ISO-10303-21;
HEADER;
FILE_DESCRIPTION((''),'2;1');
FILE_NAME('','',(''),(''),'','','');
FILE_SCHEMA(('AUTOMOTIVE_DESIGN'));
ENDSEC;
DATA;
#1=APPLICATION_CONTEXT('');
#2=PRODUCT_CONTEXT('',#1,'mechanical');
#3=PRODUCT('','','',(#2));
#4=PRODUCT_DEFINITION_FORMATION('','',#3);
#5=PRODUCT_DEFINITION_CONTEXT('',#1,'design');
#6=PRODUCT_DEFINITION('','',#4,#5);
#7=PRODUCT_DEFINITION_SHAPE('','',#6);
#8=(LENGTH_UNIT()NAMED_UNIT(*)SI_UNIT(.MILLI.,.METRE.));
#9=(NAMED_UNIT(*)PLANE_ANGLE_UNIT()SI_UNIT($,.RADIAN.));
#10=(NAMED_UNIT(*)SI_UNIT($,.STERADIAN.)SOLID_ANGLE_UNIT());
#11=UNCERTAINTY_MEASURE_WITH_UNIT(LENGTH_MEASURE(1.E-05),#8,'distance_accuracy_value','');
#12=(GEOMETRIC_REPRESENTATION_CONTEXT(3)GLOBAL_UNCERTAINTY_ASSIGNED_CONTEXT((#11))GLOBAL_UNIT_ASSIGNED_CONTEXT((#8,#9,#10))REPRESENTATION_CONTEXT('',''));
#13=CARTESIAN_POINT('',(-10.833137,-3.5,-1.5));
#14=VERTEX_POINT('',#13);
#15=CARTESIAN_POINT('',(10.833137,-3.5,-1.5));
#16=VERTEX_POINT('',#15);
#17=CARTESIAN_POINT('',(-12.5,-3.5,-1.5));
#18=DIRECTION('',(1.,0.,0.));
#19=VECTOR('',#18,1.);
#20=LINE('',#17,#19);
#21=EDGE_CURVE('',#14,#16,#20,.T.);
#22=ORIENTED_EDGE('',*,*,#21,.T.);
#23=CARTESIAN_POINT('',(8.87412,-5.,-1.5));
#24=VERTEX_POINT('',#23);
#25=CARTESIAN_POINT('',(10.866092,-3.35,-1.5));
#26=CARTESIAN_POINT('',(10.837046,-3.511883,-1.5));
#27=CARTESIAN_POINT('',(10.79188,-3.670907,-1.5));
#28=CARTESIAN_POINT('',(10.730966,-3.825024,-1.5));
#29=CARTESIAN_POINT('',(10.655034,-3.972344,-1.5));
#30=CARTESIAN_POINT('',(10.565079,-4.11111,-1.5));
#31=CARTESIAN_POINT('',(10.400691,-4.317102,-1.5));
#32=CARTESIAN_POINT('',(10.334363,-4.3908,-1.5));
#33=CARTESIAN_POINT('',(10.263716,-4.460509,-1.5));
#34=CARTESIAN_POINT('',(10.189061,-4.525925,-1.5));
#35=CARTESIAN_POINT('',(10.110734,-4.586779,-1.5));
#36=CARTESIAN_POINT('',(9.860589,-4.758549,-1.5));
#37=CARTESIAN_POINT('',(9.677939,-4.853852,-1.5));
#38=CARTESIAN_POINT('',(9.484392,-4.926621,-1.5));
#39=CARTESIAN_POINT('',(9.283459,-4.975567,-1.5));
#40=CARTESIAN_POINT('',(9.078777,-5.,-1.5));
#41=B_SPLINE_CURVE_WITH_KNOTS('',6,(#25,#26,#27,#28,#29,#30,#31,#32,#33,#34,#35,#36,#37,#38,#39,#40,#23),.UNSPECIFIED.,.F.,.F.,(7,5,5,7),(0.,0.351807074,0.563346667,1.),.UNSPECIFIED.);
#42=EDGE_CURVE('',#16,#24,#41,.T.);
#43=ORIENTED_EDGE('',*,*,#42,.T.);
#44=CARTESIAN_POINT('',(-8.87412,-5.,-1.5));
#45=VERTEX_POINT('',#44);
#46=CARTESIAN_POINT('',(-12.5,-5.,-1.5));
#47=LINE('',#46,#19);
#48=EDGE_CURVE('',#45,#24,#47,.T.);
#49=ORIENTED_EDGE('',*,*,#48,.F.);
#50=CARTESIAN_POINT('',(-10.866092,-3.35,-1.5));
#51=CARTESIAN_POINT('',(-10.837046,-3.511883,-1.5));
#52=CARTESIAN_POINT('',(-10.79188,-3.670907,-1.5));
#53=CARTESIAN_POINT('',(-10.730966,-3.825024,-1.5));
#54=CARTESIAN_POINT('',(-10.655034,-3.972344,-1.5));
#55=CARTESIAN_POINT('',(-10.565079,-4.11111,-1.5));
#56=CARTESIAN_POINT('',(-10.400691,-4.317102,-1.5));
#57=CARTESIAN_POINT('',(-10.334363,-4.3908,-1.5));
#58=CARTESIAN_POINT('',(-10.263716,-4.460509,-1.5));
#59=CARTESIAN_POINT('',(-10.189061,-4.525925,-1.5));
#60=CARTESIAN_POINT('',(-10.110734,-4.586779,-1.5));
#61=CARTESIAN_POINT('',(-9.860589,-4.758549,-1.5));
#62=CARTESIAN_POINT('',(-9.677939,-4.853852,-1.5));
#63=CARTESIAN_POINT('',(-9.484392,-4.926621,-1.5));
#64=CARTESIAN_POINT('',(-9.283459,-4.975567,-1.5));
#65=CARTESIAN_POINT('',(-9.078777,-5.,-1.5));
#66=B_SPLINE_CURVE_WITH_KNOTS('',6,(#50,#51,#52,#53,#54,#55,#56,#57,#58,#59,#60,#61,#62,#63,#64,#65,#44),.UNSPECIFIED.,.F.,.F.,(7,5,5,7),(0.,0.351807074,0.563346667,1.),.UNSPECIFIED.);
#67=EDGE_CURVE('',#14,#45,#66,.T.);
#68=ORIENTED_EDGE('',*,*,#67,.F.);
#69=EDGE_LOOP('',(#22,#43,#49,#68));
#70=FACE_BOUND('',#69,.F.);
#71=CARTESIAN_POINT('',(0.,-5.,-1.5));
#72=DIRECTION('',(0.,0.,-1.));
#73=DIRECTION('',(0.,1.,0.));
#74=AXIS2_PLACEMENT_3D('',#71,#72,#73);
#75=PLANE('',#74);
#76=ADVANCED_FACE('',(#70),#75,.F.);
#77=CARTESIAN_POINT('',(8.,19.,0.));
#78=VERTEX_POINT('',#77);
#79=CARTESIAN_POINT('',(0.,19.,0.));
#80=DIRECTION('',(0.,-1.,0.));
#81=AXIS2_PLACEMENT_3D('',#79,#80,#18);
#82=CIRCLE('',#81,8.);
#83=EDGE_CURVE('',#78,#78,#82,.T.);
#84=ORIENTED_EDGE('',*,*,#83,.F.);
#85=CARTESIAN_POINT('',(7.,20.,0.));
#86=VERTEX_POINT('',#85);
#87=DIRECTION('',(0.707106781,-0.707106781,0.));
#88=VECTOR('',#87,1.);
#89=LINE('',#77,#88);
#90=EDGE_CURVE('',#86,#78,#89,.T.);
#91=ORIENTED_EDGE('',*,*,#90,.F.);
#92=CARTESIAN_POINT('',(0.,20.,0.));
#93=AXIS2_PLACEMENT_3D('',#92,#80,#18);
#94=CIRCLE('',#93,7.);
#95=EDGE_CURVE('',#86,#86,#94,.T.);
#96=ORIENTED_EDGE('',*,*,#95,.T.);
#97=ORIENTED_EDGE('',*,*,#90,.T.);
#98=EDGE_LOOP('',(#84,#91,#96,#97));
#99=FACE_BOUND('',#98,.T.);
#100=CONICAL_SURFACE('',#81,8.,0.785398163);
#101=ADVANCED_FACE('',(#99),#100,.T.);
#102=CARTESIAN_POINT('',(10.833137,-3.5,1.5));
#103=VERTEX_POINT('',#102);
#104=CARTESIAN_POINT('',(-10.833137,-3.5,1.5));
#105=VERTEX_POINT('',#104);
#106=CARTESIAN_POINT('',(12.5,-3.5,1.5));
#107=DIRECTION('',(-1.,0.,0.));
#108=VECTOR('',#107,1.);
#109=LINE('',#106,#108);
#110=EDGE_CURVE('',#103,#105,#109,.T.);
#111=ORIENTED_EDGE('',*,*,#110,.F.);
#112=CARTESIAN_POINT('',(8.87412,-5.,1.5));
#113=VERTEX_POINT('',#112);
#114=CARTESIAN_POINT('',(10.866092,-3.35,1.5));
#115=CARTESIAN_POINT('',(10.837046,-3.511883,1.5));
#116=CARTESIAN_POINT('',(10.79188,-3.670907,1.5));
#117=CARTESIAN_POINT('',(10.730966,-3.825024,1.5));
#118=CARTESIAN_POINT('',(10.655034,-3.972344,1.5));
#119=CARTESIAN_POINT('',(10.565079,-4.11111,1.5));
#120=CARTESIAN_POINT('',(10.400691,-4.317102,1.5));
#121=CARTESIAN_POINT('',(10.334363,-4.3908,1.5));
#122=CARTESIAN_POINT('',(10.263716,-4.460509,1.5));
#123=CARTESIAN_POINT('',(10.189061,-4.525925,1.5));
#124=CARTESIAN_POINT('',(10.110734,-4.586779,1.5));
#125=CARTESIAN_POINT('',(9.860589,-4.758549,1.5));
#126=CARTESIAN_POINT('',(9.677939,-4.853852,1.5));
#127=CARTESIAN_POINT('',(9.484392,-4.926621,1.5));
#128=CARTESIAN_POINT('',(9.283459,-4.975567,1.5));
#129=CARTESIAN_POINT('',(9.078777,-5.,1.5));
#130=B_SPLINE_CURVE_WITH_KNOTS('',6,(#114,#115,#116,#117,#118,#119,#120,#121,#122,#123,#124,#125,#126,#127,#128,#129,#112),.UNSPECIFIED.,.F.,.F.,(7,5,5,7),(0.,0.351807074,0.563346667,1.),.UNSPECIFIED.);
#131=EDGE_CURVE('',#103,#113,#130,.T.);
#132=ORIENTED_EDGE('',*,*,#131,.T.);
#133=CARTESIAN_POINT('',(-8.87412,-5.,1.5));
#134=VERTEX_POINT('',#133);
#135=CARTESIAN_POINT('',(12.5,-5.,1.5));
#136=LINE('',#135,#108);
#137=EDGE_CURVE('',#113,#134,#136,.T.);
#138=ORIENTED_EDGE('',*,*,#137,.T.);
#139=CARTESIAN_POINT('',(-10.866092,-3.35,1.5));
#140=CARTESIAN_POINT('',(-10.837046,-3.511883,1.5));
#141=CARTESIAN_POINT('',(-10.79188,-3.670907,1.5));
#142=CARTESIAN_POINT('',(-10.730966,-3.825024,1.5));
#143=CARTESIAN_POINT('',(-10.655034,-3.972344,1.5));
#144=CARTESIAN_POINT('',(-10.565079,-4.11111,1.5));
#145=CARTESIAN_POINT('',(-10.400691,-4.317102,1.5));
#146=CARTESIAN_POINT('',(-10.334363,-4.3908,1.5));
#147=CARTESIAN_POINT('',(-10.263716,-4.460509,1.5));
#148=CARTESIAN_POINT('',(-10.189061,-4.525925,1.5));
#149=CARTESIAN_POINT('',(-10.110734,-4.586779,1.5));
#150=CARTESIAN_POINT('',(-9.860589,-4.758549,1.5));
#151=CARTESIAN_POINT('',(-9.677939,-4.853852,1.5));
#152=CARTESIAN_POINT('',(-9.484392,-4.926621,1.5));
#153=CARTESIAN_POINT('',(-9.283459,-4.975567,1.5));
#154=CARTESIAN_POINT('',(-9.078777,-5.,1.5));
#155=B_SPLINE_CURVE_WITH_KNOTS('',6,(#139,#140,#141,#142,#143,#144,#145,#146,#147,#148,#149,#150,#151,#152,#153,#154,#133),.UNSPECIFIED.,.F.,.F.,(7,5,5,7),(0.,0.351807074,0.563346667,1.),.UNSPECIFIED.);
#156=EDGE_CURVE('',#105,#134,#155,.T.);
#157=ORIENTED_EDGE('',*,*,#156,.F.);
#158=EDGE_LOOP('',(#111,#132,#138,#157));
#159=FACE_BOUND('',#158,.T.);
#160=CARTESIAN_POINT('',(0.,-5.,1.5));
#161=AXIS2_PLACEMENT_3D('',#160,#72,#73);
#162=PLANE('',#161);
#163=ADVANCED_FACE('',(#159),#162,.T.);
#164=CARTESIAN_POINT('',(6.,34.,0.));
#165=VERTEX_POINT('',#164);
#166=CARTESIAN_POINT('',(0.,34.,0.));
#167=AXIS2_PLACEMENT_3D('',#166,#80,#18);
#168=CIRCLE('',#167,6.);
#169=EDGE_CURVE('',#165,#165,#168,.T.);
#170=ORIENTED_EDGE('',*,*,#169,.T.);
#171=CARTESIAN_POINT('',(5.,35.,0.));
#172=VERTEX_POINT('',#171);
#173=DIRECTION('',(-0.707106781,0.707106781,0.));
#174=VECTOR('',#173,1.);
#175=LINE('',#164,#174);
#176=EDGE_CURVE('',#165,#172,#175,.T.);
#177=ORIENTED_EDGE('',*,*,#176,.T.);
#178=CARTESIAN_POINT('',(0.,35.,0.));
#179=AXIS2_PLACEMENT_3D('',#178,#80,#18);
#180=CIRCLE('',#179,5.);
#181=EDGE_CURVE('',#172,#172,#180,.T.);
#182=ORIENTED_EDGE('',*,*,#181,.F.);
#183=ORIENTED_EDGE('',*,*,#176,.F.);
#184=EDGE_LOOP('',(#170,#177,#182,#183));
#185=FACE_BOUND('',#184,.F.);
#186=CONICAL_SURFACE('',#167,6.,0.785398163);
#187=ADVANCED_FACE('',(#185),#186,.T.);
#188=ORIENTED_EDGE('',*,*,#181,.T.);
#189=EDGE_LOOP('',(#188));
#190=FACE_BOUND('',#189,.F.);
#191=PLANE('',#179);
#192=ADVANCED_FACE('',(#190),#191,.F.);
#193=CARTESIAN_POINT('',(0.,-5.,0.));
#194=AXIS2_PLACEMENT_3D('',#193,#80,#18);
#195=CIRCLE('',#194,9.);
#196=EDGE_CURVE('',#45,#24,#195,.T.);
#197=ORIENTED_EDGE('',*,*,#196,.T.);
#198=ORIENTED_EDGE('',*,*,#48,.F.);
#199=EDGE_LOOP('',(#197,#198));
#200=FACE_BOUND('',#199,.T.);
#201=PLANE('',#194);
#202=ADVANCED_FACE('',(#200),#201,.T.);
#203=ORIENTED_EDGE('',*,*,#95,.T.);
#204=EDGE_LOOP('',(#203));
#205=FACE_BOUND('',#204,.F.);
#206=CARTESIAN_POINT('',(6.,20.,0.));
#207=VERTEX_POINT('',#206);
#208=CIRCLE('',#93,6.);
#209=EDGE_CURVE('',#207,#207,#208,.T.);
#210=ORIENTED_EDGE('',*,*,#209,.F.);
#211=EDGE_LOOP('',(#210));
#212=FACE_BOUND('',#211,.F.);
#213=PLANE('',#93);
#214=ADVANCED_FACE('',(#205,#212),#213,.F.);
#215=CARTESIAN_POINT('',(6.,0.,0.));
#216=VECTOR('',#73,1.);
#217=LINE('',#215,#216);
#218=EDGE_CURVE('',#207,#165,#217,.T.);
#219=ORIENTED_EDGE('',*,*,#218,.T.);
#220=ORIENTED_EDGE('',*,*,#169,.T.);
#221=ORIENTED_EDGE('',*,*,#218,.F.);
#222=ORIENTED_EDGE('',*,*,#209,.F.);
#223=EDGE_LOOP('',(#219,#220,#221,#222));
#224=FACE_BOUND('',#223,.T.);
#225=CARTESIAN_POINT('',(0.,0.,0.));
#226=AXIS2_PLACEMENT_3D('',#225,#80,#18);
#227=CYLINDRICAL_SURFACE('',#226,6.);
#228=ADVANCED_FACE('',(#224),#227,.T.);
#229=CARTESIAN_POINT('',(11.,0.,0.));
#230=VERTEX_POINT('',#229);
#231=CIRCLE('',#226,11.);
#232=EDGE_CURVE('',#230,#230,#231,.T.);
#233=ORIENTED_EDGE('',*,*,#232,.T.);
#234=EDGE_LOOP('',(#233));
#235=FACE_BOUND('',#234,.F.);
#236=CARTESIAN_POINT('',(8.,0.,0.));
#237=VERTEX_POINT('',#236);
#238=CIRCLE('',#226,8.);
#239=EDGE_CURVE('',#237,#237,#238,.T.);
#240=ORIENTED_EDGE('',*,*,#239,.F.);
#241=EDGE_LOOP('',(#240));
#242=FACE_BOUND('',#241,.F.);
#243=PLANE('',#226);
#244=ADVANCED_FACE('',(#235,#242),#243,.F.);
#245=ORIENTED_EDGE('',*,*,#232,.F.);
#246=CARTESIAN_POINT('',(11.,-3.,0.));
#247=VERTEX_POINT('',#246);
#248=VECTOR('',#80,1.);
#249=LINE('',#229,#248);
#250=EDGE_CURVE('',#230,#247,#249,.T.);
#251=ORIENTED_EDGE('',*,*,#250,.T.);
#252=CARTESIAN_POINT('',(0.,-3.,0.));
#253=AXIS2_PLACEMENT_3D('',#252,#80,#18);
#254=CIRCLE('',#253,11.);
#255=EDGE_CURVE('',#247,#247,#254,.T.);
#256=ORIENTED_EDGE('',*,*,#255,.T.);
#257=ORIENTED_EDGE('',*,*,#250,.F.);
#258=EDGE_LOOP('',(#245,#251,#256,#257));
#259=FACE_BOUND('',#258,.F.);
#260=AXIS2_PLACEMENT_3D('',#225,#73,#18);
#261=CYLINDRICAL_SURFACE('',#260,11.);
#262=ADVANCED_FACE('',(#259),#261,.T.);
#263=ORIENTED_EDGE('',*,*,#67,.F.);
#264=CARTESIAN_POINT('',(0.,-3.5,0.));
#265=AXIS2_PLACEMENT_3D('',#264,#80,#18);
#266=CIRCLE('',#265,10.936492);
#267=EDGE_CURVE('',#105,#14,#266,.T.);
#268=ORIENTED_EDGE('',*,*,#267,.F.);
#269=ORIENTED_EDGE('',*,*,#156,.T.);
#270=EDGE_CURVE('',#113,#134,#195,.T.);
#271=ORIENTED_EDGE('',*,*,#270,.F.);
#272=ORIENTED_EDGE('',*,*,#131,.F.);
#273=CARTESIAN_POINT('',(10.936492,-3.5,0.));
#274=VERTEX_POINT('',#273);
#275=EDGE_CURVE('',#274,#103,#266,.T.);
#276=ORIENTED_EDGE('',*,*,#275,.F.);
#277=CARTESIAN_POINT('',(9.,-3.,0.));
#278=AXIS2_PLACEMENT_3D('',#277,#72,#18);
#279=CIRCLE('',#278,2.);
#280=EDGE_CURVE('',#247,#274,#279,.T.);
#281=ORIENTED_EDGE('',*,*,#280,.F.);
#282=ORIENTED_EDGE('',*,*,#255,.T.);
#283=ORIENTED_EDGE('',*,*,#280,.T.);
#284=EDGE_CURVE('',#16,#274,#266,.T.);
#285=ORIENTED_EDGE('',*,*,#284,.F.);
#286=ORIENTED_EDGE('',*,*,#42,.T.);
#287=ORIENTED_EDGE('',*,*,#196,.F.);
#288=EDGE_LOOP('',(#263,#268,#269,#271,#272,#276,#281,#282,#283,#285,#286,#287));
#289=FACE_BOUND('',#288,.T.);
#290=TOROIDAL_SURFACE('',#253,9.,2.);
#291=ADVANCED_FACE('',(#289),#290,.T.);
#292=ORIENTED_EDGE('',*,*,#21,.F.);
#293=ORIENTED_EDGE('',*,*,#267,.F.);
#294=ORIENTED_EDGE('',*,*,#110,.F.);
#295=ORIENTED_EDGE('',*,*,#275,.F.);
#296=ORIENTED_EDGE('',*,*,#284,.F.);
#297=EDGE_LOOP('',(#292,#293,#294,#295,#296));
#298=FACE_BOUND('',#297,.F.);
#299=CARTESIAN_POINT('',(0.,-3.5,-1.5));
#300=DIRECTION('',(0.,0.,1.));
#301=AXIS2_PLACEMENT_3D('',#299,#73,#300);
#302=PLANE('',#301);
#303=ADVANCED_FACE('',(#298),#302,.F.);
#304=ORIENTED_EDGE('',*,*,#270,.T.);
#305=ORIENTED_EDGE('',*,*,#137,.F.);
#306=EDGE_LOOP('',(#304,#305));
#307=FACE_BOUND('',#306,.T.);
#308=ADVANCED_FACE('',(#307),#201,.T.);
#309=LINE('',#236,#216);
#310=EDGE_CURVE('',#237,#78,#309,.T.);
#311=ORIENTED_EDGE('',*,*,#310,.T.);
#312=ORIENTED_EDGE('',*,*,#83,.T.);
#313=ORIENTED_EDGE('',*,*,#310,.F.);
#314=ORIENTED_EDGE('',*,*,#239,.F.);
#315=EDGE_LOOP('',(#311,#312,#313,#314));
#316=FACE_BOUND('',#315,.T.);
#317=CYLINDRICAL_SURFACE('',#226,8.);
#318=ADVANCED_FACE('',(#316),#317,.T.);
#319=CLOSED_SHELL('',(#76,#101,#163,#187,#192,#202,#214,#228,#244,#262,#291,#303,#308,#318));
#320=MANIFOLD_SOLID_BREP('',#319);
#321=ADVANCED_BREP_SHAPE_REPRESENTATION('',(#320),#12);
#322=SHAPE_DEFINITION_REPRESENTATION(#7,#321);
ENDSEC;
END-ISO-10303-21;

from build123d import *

# Parameters (mm, degrees)
F0_R     = 11
F1_DEPTH = 5
F2_R     = 2
F3_R     = 8
F3_R_2   = 6
F4_DEPTH = 20
F5_DEPTH = 35
F6_SIZE2 = 1
F6_SIZE  = 1
F7_W     = 1.5
F7_H     = 3
F8_DEPTH = 12.5


with BuildPart() as f1:
    # F0 (on Front) → F1 (new body)
    with BuildSketch(Plane.XZ):
        Circle(F0_R)
    extrude(amount=F1_DEPTH)

    # F2
    f2_edges = [f1.edges().sort_by_distance(p)[0] for p in [
        (-11, -5, 0),
    ]]
    fillet(f2_edges, radius=F2_R)

    # F3 (on Front) → F4 (join)
    with BuildSketch(Plane.XZ):
        Circle(F3_R)
        Circle(F3_R_2, mode=Mode.SUBTRACT)
    extrude(amount=-F4_DEPTH)

    # F5 (add): a face of the model
    f5_faces = [f1.faces().sort_by_distance(p)[0] for p in [
        (0, 0, 0),
    ]]
    extrude(f5_faces, amount=F5_DEPTH)

    # F6
    f6_edges = [f1.edges().sort_by_distance(p)[0] for p in [
        (-6, 35, 0),
        (-8, 20, 0),
    ]]
    chamfer(f6_edges, length=F6_SIZE, length2=F6_SIZE2)

    # F7 (on Right) → F8 (cut, symmetric)
    with BuildSketch(Plane.YZ):
        with Locations((-4.25, 0)):
            Rectangle(F7_W, F7_H)
    extrude(amount=F8_DEPTH, both=True, mode=Mode.SUBTRACT)


solid = f1.part
